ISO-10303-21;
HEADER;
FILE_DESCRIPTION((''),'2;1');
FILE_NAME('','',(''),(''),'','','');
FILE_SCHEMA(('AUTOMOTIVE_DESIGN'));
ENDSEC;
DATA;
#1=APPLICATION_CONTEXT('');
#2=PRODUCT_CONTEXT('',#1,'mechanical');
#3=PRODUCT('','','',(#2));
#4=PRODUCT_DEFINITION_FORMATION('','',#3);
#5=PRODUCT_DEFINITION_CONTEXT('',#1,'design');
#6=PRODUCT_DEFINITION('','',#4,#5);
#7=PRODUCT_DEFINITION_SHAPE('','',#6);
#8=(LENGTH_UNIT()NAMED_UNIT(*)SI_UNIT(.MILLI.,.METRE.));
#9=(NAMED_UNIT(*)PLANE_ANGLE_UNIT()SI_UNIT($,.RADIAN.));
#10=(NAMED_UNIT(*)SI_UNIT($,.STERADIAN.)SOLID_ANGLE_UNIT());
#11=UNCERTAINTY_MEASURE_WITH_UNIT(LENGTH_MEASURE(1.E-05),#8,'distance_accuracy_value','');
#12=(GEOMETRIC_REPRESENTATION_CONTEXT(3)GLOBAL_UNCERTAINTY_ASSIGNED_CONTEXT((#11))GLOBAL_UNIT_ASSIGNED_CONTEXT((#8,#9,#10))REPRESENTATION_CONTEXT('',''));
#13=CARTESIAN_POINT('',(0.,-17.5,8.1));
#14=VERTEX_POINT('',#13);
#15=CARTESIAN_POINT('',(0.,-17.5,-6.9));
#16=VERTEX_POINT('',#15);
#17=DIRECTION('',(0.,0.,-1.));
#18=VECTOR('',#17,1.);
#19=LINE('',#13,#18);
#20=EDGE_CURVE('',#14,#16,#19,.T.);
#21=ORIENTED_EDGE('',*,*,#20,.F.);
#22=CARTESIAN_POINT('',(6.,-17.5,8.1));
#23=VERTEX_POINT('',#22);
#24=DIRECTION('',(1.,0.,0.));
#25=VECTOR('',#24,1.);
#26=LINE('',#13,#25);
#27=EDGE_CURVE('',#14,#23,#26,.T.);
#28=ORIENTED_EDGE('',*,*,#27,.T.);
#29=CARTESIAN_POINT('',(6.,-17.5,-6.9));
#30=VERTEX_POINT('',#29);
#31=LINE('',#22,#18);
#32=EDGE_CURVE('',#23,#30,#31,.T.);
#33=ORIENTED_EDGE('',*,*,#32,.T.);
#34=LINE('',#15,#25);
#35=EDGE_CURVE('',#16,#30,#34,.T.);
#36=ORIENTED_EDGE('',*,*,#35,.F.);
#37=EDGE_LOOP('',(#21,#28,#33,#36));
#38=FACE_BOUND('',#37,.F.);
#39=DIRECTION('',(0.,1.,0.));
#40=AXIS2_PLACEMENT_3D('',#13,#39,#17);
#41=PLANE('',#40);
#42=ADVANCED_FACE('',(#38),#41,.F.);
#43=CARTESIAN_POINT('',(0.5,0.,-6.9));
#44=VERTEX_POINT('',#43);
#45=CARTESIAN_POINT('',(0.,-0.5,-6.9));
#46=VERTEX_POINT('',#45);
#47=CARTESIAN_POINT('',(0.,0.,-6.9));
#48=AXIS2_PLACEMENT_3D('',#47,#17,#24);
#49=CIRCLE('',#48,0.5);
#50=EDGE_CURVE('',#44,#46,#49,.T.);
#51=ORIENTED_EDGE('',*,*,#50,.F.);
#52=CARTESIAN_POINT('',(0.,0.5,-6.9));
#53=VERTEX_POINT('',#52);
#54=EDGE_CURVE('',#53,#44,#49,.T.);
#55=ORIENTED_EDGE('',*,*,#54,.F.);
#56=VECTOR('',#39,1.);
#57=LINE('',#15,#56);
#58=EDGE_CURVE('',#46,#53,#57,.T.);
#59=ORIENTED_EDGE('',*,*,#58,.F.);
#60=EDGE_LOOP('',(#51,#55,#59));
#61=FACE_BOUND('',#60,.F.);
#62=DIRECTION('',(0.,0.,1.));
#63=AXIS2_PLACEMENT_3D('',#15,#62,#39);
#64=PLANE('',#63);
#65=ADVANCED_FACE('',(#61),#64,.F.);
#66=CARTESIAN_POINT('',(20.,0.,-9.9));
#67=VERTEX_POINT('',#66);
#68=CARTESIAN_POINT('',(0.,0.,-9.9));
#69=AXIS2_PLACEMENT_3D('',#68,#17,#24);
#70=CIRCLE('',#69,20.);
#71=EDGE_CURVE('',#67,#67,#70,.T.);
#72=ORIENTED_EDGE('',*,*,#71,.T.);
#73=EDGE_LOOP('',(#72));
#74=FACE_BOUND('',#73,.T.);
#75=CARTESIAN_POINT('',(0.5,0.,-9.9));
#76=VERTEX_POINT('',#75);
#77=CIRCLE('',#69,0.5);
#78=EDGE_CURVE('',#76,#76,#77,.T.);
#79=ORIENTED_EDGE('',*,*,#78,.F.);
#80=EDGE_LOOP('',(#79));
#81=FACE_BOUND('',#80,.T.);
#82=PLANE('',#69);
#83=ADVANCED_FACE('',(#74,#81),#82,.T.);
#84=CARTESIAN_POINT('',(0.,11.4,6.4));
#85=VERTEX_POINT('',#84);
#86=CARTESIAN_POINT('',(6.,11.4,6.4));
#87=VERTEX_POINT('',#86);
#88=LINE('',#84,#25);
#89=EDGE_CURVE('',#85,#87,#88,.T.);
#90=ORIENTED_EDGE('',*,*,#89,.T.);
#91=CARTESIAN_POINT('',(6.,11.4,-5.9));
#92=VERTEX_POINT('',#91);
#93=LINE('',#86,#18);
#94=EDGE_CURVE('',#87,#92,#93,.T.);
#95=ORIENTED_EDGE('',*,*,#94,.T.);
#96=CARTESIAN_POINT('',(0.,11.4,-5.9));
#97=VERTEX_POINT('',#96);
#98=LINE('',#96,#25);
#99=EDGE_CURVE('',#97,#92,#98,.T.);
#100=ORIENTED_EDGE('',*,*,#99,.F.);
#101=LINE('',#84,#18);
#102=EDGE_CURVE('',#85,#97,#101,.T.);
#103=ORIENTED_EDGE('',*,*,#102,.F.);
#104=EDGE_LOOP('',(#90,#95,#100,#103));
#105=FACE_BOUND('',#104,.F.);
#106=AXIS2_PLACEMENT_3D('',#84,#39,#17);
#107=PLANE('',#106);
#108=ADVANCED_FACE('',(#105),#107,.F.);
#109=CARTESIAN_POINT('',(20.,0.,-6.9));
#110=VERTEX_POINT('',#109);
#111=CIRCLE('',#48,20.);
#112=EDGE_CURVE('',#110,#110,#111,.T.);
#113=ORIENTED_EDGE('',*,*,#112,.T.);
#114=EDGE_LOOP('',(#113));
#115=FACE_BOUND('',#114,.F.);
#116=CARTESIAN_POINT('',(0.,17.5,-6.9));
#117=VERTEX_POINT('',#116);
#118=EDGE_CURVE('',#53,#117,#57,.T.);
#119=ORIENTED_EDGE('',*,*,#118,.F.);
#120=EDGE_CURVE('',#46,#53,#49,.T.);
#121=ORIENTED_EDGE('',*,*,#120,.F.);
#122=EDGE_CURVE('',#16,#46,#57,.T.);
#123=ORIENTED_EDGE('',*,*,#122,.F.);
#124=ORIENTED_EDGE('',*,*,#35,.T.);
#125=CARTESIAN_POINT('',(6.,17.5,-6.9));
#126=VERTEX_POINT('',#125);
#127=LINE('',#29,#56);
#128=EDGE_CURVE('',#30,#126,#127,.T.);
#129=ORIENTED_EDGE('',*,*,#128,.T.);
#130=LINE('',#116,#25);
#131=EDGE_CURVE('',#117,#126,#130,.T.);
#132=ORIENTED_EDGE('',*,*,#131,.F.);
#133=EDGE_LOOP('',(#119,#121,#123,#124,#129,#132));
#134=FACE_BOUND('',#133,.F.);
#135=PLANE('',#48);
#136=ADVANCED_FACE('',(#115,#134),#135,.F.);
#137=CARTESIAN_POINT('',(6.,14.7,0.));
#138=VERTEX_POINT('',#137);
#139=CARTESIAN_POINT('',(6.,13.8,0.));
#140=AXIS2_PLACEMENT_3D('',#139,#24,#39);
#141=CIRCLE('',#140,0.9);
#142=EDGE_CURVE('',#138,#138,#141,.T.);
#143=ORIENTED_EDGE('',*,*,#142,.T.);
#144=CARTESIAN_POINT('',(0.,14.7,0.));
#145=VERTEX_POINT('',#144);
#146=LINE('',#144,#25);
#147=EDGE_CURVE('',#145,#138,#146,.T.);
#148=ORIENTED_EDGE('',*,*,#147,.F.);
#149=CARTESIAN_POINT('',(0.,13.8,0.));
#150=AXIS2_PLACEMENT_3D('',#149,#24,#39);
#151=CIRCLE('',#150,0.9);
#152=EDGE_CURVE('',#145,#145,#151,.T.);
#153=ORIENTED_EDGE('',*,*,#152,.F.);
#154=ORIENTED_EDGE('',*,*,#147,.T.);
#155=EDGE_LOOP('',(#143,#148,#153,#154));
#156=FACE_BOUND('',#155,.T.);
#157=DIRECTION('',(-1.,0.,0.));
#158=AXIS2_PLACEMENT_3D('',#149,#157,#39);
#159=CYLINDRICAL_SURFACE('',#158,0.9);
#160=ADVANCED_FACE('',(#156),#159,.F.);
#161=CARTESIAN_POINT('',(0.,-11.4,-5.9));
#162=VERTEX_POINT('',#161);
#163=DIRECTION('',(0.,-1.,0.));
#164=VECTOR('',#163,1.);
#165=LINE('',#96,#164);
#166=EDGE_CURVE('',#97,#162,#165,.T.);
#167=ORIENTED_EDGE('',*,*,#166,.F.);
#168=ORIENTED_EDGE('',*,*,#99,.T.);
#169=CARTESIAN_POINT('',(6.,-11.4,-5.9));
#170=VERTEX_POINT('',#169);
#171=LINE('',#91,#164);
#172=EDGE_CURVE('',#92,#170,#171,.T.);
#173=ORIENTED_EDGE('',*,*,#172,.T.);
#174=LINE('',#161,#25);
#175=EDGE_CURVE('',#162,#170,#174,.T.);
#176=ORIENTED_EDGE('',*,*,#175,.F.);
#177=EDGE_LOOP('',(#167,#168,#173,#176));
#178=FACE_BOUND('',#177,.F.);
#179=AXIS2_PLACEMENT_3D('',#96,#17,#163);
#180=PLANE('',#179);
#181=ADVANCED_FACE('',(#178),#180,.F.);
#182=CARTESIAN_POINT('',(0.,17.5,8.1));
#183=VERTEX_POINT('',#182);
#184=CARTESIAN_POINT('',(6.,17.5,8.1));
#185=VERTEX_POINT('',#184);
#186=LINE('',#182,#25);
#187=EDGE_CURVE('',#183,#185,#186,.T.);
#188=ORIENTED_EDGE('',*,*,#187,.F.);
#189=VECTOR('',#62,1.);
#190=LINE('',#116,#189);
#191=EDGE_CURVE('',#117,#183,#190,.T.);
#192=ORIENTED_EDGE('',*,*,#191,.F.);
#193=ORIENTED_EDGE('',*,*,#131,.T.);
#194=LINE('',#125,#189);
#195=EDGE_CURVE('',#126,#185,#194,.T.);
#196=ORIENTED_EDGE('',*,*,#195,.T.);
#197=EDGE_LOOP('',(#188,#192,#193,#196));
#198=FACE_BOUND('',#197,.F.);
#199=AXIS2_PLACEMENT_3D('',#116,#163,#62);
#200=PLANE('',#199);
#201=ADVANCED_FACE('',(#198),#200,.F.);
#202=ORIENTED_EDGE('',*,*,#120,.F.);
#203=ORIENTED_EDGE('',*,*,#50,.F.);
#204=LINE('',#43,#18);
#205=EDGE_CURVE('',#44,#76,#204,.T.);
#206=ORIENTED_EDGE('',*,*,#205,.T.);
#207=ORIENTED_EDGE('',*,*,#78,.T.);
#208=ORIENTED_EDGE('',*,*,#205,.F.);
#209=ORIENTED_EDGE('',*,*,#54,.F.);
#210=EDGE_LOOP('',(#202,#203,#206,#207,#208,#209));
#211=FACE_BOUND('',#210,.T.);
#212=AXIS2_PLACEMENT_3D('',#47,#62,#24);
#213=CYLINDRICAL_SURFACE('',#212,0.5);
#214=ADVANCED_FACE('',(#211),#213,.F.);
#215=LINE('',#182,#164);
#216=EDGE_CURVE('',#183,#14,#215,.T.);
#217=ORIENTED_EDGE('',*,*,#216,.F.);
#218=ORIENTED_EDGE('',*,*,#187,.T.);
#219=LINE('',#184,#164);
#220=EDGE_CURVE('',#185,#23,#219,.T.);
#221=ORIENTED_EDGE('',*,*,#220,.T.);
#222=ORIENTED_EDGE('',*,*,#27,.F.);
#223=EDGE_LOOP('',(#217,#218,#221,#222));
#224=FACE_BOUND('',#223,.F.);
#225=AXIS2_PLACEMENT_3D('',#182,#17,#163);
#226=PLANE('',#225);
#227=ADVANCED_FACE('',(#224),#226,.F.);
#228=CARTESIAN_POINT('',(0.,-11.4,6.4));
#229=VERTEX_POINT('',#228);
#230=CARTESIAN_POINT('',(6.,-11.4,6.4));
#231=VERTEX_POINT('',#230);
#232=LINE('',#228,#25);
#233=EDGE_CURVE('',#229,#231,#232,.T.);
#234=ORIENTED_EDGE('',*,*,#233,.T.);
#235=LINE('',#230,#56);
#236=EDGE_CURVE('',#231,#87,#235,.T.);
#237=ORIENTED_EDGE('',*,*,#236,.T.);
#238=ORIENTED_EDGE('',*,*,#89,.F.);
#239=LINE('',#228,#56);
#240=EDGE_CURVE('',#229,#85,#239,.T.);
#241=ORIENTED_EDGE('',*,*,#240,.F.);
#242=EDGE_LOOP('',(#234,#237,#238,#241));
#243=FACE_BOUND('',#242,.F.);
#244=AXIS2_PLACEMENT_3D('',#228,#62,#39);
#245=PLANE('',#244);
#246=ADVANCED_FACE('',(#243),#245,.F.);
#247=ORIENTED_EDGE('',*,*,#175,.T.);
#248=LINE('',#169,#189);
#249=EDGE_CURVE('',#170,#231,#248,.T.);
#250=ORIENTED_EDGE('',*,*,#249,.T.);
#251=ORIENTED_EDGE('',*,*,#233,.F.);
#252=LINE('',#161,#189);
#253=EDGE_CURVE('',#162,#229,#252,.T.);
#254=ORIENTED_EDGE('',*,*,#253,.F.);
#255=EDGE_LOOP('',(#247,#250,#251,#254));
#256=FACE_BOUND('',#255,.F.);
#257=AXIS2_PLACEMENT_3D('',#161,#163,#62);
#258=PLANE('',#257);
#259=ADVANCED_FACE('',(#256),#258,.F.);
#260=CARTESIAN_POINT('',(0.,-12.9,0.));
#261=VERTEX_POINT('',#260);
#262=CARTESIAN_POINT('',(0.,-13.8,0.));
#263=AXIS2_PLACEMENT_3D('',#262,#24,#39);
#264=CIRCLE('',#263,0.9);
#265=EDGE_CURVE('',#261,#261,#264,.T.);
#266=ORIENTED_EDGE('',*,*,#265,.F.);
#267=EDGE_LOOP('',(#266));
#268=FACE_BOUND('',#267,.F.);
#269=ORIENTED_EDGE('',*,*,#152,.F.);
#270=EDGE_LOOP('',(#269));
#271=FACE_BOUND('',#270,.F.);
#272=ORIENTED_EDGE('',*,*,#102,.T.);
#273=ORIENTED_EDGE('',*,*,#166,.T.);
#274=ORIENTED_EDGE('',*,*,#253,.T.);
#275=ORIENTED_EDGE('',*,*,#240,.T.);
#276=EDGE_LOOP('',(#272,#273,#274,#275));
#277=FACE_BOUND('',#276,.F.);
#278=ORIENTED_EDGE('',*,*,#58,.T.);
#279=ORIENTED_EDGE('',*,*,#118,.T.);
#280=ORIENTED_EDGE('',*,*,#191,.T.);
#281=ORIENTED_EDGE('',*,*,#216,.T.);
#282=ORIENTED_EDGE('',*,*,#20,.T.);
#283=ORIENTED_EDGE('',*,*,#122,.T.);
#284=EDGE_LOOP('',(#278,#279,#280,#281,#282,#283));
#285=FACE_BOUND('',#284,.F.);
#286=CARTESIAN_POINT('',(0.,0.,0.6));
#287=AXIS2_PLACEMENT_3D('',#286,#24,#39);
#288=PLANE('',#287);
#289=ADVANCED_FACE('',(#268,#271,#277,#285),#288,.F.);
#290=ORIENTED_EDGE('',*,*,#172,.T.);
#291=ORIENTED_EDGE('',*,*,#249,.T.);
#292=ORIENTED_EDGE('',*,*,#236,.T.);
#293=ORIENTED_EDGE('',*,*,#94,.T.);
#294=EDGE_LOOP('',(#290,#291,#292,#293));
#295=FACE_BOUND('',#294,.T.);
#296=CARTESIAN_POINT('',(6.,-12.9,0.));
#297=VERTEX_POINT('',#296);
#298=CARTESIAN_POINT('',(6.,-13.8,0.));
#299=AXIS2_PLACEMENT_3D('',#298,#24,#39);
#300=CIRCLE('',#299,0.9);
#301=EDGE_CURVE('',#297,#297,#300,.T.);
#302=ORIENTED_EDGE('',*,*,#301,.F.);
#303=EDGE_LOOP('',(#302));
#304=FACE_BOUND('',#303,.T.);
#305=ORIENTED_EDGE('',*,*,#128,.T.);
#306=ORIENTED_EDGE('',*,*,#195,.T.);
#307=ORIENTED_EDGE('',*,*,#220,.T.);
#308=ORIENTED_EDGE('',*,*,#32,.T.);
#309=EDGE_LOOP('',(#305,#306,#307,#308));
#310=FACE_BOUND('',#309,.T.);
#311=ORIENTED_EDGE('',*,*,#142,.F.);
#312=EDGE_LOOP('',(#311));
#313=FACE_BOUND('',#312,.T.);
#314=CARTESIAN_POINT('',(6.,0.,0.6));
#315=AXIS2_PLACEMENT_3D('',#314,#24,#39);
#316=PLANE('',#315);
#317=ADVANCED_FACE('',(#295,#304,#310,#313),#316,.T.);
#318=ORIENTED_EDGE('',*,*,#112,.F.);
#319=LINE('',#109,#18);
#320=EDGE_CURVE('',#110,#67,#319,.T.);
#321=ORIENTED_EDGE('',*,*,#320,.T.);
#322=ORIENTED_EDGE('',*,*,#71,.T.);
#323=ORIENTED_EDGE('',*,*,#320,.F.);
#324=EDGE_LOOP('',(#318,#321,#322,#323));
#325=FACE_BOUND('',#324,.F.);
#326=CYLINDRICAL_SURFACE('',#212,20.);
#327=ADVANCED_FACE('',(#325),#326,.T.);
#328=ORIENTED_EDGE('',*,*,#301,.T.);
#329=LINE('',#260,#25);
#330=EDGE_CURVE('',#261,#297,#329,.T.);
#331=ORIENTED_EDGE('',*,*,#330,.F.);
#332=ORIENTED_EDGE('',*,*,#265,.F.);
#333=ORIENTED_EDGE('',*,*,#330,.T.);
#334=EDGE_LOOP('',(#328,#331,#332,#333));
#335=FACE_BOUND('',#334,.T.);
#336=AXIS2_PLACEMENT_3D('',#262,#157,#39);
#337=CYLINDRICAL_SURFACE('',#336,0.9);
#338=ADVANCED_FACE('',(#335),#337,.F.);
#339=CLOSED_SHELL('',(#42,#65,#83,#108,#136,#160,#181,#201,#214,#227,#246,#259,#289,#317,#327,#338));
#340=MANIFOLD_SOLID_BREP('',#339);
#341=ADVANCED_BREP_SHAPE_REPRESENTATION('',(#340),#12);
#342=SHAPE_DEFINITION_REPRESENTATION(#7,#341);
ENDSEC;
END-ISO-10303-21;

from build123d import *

# Parameters (mm, degrees)
F0_R     = 0.9
F1_DEPTH = 6
F2_R     = 20
F2_R_2   = 0.5
F3_DEPTH = 3


with BuildPart() as f1:
    # F0 (on Right) → F1 (new body)
    with BuildSketch(Plane.YZ):
        Polygon((17.5, -6.9), (17.5, 5.6), (17.5, 6.9), (17.5, 8.1), (-17.5, 8.1), (-17.5, 6.9), (-17.5, -6.9), align=None)
        with Locations((-13.8, 0)):
            Circle(F0_R, mode=Mode.SUBTRACT)
        Polygon((11.4, 6.4), (11.4, 5.9), (11.4, -5.9), (-11.4, -5.9), (-11.4, 5.9), (-11.4, 6.4), align=None, mode=Mode.SUBTRACT)
        with Locations((13.8, 0)):
            Circle(F0_R, mode=Mode.SUBTRACT)
    extrude(amount=F1_DEPTH)

    # F2 (on face) → F3 (join)
    with BuildSketch(Plane(origin=(0, 0, -6.9), x_dir=(1, 0, 0), z_dir=(0, 0, -1))):
        Circle(F2_R)
        Circle(F2_R_2, mode=Mode.SUBTRACT)
    extrude(amount=F3_DEPTH)


solid = f1.part
